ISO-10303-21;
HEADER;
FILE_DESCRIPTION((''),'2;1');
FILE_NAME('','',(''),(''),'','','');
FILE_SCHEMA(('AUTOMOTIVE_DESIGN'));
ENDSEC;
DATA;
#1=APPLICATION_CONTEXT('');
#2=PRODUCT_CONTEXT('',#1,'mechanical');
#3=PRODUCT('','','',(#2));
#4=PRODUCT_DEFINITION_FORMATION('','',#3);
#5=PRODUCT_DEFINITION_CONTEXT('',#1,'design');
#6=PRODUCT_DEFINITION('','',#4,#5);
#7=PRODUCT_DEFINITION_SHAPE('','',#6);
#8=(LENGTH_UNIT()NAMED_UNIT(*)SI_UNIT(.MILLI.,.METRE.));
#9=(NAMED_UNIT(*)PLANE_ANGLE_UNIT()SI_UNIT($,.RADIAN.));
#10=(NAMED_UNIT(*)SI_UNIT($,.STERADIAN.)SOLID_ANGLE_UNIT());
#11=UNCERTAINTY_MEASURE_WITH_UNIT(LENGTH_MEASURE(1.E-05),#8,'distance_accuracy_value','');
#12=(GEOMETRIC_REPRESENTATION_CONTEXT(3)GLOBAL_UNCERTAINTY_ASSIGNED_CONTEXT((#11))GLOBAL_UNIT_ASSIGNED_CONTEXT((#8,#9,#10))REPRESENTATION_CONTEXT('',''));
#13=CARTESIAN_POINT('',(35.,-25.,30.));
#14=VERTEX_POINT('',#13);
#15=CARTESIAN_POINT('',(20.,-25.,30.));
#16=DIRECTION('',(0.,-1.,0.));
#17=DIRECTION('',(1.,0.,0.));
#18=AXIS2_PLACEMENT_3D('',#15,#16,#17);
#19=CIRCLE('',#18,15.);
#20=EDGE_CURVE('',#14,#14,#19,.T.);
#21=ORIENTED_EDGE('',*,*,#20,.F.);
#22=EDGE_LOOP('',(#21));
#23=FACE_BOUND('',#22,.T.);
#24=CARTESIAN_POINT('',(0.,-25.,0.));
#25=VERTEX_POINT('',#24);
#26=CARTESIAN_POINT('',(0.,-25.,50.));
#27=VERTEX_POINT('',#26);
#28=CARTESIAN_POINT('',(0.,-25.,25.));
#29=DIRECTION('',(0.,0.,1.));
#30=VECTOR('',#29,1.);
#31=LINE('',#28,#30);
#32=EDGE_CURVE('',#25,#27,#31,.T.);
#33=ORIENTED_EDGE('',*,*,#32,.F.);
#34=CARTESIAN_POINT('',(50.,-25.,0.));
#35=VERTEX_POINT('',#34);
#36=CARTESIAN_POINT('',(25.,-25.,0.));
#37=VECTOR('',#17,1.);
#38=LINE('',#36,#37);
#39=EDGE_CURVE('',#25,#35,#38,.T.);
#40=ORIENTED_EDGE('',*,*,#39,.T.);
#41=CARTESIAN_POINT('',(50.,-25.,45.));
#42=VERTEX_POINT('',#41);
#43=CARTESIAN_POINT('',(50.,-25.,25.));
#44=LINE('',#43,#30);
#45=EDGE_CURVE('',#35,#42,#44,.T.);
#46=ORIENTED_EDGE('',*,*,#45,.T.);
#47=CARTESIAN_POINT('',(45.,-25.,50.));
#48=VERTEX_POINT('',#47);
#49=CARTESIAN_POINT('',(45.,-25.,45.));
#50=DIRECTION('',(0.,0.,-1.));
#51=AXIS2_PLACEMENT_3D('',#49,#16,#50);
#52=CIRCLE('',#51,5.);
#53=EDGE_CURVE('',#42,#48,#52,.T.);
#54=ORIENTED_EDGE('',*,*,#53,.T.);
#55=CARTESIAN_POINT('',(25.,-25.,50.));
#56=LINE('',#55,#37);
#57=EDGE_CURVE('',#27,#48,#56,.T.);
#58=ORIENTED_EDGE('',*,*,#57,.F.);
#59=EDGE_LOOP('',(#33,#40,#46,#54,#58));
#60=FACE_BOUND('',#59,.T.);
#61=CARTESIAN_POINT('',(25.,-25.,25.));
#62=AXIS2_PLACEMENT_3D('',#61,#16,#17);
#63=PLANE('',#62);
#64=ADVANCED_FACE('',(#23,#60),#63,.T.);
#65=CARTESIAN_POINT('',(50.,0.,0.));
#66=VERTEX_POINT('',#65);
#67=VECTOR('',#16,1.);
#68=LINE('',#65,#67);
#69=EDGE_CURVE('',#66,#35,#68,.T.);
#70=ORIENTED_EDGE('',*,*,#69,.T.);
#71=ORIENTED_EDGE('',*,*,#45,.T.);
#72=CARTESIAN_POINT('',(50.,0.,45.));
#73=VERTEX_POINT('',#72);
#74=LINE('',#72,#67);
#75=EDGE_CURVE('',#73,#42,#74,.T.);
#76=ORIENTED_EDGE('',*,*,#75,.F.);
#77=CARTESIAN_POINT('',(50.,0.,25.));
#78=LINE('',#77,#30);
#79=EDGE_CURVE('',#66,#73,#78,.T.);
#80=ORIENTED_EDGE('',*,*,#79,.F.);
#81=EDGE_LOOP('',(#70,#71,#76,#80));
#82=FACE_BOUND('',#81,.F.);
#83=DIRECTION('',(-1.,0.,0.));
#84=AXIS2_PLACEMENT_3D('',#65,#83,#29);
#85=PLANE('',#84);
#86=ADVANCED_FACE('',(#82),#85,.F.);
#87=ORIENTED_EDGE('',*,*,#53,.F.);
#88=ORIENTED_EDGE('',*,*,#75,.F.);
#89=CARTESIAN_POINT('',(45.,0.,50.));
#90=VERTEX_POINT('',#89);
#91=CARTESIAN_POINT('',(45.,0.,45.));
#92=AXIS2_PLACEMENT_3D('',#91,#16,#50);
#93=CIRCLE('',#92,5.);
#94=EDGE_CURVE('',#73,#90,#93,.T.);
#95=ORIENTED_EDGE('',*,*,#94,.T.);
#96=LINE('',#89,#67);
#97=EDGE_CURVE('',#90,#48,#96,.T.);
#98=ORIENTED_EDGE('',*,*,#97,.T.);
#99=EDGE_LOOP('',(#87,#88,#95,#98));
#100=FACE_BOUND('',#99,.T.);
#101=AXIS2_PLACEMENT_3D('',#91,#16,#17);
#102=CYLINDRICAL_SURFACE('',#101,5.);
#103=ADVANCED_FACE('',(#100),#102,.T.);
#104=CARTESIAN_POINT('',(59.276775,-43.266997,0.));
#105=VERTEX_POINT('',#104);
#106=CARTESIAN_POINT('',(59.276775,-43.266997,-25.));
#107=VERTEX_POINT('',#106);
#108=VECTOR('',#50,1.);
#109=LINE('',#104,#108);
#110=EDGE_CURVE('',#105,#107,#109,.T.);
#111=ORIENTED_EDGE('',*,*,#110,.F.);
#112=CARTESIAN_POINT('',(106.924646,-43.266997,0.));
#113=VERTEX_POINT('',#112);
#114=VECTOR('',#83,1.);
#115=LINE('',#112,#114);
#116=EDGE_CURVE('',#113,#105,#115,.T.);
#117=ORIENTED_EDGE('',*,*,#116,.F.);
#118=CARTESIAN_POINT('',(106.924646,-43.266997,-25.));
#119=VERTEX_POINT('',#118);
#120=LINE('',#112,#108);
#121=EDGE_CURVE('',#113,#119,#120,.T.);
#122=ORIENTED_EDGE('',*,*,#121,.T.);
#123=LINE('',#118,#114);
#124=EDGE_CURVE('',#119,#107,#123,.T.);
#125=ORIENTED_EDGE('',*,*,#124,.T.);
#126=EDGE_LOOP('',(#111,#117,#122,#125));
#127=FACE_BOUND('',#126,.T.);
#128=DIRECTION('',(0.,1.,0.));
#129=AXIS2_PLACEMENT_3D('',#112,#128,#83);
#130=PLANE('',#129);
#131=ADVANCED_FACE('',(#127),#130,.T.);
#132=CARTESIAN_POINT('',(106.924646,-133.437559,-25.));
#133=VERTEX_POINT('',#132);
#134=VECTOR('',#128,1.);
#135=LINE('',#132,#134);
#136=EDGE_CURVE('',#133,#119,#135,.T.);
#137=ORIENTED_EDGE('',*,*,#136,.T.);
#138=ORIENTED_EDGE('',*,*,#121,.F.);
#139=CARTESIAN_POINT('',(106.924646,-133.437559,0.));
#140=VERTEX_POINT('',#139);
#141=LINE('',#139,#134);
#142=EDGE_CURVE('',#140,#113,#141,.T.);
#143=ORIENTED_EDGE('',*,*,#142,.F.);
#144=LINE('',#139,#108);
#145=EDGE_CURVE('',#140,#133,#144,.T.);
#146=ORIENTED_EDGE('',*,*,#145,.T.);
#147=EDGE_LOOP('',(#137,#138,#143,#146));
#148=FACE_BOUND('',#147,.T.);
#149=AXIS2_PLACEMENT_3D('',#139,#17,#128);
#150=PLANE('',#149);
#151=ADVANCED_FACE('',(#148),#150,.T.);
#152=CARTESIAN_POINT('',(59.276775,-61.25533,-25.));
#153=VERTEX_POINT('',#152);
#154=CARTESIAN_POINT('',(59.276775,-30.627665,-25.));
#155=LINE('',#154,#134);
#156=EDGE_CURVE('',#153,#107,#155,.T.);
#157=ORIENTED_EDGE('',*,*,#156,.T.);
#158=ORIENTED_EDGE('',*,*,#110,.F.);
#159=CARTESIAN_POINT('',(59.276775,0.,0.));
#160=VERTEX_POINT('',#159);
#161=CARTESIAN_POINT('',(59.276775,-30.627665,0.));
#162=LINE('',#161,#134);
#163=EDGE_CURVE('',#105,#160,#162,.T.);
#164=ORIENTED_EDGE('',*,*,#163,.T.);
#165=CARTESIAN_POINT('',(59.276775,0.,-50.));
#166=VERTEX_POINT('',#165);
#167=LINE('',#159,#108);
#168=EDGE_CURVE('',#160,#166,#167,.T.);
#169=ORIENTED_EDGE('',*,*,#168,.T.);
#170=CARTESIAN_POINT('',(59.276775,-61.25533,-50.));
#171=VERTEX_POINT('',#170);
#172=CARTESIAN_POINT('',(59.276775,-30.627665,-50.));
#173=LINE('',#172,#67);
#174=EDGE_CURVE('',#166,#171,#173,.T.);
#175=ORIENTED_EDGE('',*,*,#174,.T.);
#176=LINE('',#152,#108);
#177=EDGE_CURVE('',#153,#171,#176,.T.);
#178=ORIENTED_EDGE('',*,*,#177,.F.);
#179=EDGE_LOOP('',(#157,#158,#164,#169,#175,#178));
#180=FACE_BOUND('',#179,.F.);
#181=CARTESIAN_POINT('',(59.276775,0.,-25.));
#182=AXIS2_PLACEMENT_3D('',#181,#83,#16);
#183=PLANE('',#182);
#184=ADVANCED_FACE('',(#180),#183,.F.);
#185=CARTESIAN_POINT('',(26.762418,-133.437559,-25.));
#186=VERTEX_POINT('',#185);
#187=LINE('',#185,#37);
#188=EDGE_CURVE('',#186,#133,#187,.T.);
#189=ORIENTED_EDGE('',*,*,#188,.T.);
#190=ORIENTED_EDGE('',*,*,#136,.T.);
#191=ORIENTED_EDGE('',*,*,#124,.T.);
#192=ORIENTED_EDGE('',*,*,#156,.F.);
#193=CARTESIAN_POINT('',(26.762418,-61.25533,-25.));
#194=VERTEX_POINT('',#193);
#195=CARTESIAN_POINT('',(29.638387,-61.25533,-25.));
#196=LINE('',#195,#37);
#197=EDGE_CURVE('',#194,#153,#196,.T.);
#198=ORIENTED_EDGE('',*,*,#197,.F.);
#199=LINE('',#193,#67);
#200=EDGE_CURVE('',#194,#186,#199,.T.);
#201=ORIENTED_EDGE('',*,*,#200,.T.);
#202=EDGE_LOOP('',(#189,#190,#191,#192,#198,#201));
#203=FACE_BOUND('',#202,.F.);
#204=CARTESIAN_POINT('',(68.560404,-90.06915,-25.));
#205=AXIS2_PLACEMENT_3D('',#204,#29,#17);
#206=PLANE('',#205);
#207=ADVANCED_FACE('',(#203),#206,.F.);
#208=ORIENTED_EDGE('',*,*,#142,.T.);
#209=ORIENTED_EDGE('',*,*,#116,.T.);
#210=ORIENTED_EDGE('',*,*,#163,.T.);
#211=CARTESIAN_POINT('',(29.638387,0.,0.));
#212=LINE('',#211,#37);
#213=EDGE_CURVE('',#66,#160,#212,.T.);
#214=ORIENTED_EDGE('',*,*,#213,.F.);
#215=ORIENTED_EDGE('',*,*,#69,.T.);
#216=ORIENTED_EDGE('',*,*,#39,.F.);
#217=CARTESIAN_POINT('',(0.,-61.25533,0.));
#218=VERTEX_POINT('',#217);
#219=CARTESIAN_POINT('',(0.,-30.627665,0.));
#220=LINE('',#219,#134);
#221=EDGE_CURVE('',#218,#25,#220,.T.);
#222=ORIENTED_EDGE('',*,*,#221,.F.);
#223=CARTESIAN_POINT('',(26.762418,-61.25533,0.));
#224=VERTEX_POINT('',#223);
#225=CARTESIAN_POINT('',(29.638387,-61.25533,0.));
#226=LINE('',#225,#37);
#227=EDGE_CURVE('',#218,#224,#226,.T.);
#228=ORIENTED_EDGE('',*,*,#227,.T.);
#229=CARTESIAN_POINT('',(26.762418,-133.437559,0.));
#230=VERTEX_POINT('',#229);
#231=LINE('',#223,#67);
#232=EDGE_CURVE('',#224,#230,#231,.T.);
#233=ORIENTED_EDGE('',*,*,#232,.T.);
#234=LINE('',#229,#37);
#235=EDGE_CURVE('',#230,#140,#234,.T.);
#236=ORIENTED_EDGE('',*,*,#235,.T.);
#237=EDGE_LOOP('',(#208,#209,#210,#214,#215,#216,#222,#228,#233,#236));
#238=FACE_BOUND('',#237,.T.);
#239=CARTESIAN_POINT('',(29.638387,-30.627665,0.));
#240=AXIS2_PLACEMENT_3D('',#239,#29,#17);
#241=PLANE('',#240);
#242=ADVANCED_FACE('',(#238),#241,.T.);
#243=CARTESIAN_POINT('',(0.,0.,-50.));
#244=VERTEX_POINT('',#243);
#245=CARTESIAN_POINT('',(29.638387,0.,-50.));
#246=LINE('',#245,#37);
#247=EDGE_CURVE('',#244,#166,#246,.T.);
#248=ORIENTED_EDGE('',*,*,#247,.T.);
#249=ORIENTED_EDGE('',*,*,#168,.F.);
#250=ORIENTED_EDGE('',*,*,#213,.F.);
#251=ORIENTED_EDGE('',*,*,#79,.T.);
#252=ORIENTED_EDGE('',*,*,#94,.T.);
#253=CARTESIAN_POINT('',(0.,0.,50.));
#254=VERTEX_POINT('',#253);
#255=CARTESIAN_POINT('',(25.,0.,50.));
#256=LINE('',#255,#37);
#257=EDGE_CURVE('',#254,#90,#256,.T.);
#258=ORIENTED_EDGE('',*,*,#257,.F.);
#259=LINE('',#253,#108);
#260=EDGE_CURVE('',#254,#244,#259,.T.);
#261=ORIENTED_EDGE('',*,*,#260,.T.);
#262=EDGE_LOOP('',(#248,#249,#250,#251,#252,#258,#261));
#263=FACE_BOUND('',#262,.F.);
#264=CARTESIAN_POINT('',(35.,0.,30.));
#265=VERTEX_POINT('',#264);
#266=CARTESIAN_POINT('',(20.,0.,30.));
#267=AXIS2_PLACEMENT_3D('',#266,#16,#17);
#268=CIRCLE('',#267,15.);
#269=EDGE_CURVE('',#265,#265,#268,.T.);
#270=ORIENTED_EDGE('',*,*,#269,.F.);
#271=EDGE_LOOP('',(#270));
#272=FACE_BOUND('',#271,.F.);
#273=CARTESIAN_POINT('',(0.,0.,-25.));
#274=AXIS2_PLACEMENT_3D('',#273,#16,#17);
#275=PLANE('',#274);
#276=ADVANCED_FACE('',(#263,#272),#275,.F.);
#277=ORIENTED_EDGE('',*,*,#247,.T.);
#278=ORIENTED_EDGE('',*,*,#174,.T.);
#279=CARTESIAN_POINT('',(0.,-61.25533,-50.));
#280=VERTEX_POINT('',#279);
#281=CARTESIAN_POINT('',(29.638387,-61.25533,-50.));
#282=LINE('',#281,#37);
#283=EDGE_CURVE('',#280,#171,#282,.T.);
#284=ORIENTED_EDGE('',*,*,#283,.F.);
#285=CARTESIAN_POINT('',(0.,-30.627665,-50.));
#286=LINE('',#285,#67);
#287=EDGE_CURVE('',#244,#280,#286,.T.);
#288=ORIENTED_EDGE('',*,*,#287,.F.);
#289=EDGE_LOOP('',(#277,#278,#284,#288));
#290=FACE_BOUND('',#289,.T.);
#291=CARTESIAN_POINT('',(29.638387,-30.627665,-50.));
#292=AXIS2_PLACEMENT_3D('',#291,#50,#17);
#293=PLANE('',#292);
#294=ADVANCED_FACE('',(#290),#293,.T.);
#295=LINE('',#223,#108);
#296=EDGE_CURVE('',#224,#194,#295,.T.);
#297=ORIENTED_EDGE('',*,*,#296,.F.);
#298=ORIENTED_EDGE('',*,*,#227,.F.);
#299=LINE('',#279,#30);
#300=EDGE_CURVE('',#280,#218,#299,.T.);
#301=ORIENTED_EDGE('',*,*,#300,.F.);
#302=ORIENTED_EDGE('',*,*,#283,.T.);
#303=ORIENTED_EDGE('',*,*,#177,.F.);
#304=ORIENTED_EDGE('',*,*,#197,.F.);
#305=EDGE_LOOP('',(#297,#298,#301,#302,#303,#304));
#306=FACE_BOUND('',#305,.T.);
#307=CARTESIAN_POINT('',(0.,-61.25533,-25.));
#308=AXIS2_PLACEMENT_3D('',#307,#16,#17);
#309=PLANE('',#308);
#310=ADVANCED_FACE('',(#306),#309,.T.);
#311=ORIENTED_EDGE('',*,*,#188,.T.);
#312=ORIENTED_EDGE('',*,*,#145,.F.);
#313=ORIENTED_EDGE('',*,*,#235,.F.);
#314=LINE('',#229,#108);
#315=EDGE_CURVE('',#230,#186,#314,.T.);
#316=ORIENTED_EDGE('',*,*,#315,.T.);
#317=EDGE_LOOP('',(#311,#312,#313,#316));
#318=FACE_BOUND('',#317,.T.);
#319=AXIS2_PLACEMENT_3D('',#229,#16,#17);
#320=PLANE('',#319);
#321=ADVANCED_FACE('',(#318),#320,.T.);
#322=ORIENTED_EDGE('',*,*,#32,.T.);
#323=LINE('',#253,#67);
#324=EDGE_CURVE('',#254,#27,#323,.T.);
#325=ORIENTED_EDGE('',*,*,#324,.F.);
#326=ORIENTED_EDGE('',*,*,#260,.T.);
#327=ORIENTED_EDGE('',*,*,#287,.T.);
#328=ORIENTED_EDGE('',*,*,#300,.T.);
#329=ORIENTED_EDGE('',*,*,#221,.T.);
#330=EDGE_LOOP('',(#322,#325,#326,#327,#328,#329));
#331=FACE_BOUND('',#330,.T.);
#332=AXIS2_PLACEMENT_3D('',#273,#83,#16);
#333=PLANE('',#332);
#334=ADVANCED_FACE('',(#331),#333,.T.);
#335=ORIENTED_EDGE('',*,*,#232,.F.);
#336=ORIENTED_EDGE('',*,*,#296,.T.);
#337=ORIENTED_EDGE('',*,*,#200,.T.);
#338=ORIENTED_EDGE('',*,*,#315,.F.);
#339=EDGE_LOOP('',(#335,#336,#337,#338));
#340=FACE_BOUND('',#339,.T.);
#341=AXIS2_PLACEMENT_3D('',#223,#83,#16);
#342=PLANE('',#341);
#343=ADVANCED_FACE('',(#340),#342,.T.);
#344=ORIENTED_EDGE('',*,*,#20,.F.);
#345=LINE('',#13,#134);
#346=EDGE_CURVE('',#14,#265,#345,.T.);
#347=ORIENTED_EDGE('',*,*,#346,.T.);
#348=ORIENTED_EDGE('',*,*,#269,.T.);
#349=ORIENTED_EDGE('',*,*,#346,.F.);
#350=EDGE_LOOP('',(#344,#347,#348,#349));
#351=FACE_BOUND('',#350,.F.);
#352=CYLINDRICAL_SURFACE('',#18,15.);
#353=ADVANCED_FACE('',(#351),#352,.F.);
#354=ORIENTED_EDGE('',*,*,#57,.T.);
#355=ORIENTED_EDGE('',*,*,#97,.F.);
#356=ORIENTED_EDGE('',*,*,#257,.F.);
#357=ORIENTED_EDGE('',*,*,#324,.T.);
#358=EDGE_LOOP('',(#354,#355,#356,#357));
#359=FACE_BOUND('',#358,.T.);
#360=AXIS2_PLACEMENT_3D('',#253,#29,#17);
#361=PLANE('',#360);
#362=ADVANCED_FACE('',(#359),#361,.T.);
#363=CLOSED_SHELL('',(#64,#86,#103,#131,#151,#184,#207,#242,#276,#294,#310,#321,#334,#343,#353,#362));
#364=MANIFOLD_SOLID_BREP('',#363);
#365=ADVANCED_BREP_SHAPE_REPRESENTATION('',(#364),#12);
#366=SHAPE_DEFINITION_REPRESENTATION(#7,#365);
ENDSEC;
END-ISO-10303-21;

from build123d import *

# Parameters (mm, degrees)
F0_W       = 50
F0_H       = 50
F1_DEPTH   = 25
F2_R       = 5
F3_R       = 15
F4_DEPTH   = 25.001
F5_W       = 59.2767745256
F5_H       = 61.2553304527
F6_DEPTH   = 25
F6_FACE1_W = 59.2767745256
F6_FACE1_H = 61.2553304527
F7_W       = 7.189117372
F7_H       = 74.1506516933
F8_DEPTH   = 25


with BuildPart() as f1:
    # F0 (on Front) → F1 (new body)
    with BuildSketch(Plane.XZ):
        with Locations((25, 25)):
            Rectangle(F0_W, F0_H)
    extrude(amount=F1_DEPTH)

    # F2
    f2_edges = [f1.edges().sort_by_distance(p)[0] for p in [
        (50, -12.5, 50),
    ]]
    fillet(f2_edges, radius=F2_R)

    # F3 (on face) → F4 (cut, through all)
    with BuildSketch(Plane.XZ.offset(25)):
        with Locations((20, 30)):
            Circle(F3_R)
    extrude(amount=-F4_DEPTH, mode=Mode.SUBTRACT)

    # F5 (on Top) → F6 (join)
    with BuildSketch(Plane.XY):
        with Locations((29.6383872628, -30.6276652263)):
            Rectangle(F5_W, F5_H)
    extrude(amount=-F6_DEPTH)

    # F6_face1 (on face) + F7 (on face) → F8 (join)
    with BuildSketch(Plane(origin=(29.6383872628, -30.6276652263, -25), x_dir=(1, 0, 0), z_dir=(0, 0, -1))):
        Rectangle(F6_FACE1_W, F6_FACE1_H)
    with BuildSketch(Plane.XY):
        Polygon((59.2767745256, -61.2553304527), (38.7707948685, -61.2553304527), (36.2086445093, -61.2553304527), (26.7624184489, -61.2553304527), (26.7624184489, -133.4375590086), (106.9246456027, -133.4375590086), (106.9246456027, -43.2669967413), (59.2767745256, -43.2669967413), align=None)
        with Locations((79.3372057378, -86.4168554544)):
            Rectangle(F7_W, F7_H, mode=Mode.SUBTRACT)
        with Locations((79.3372057378, -86.4168554544)):
            Rectangle(F7_W, F7_H)
    extrude(amount=F8_DEPTH, dir=(0, 0, -1))


solid = f1.part
